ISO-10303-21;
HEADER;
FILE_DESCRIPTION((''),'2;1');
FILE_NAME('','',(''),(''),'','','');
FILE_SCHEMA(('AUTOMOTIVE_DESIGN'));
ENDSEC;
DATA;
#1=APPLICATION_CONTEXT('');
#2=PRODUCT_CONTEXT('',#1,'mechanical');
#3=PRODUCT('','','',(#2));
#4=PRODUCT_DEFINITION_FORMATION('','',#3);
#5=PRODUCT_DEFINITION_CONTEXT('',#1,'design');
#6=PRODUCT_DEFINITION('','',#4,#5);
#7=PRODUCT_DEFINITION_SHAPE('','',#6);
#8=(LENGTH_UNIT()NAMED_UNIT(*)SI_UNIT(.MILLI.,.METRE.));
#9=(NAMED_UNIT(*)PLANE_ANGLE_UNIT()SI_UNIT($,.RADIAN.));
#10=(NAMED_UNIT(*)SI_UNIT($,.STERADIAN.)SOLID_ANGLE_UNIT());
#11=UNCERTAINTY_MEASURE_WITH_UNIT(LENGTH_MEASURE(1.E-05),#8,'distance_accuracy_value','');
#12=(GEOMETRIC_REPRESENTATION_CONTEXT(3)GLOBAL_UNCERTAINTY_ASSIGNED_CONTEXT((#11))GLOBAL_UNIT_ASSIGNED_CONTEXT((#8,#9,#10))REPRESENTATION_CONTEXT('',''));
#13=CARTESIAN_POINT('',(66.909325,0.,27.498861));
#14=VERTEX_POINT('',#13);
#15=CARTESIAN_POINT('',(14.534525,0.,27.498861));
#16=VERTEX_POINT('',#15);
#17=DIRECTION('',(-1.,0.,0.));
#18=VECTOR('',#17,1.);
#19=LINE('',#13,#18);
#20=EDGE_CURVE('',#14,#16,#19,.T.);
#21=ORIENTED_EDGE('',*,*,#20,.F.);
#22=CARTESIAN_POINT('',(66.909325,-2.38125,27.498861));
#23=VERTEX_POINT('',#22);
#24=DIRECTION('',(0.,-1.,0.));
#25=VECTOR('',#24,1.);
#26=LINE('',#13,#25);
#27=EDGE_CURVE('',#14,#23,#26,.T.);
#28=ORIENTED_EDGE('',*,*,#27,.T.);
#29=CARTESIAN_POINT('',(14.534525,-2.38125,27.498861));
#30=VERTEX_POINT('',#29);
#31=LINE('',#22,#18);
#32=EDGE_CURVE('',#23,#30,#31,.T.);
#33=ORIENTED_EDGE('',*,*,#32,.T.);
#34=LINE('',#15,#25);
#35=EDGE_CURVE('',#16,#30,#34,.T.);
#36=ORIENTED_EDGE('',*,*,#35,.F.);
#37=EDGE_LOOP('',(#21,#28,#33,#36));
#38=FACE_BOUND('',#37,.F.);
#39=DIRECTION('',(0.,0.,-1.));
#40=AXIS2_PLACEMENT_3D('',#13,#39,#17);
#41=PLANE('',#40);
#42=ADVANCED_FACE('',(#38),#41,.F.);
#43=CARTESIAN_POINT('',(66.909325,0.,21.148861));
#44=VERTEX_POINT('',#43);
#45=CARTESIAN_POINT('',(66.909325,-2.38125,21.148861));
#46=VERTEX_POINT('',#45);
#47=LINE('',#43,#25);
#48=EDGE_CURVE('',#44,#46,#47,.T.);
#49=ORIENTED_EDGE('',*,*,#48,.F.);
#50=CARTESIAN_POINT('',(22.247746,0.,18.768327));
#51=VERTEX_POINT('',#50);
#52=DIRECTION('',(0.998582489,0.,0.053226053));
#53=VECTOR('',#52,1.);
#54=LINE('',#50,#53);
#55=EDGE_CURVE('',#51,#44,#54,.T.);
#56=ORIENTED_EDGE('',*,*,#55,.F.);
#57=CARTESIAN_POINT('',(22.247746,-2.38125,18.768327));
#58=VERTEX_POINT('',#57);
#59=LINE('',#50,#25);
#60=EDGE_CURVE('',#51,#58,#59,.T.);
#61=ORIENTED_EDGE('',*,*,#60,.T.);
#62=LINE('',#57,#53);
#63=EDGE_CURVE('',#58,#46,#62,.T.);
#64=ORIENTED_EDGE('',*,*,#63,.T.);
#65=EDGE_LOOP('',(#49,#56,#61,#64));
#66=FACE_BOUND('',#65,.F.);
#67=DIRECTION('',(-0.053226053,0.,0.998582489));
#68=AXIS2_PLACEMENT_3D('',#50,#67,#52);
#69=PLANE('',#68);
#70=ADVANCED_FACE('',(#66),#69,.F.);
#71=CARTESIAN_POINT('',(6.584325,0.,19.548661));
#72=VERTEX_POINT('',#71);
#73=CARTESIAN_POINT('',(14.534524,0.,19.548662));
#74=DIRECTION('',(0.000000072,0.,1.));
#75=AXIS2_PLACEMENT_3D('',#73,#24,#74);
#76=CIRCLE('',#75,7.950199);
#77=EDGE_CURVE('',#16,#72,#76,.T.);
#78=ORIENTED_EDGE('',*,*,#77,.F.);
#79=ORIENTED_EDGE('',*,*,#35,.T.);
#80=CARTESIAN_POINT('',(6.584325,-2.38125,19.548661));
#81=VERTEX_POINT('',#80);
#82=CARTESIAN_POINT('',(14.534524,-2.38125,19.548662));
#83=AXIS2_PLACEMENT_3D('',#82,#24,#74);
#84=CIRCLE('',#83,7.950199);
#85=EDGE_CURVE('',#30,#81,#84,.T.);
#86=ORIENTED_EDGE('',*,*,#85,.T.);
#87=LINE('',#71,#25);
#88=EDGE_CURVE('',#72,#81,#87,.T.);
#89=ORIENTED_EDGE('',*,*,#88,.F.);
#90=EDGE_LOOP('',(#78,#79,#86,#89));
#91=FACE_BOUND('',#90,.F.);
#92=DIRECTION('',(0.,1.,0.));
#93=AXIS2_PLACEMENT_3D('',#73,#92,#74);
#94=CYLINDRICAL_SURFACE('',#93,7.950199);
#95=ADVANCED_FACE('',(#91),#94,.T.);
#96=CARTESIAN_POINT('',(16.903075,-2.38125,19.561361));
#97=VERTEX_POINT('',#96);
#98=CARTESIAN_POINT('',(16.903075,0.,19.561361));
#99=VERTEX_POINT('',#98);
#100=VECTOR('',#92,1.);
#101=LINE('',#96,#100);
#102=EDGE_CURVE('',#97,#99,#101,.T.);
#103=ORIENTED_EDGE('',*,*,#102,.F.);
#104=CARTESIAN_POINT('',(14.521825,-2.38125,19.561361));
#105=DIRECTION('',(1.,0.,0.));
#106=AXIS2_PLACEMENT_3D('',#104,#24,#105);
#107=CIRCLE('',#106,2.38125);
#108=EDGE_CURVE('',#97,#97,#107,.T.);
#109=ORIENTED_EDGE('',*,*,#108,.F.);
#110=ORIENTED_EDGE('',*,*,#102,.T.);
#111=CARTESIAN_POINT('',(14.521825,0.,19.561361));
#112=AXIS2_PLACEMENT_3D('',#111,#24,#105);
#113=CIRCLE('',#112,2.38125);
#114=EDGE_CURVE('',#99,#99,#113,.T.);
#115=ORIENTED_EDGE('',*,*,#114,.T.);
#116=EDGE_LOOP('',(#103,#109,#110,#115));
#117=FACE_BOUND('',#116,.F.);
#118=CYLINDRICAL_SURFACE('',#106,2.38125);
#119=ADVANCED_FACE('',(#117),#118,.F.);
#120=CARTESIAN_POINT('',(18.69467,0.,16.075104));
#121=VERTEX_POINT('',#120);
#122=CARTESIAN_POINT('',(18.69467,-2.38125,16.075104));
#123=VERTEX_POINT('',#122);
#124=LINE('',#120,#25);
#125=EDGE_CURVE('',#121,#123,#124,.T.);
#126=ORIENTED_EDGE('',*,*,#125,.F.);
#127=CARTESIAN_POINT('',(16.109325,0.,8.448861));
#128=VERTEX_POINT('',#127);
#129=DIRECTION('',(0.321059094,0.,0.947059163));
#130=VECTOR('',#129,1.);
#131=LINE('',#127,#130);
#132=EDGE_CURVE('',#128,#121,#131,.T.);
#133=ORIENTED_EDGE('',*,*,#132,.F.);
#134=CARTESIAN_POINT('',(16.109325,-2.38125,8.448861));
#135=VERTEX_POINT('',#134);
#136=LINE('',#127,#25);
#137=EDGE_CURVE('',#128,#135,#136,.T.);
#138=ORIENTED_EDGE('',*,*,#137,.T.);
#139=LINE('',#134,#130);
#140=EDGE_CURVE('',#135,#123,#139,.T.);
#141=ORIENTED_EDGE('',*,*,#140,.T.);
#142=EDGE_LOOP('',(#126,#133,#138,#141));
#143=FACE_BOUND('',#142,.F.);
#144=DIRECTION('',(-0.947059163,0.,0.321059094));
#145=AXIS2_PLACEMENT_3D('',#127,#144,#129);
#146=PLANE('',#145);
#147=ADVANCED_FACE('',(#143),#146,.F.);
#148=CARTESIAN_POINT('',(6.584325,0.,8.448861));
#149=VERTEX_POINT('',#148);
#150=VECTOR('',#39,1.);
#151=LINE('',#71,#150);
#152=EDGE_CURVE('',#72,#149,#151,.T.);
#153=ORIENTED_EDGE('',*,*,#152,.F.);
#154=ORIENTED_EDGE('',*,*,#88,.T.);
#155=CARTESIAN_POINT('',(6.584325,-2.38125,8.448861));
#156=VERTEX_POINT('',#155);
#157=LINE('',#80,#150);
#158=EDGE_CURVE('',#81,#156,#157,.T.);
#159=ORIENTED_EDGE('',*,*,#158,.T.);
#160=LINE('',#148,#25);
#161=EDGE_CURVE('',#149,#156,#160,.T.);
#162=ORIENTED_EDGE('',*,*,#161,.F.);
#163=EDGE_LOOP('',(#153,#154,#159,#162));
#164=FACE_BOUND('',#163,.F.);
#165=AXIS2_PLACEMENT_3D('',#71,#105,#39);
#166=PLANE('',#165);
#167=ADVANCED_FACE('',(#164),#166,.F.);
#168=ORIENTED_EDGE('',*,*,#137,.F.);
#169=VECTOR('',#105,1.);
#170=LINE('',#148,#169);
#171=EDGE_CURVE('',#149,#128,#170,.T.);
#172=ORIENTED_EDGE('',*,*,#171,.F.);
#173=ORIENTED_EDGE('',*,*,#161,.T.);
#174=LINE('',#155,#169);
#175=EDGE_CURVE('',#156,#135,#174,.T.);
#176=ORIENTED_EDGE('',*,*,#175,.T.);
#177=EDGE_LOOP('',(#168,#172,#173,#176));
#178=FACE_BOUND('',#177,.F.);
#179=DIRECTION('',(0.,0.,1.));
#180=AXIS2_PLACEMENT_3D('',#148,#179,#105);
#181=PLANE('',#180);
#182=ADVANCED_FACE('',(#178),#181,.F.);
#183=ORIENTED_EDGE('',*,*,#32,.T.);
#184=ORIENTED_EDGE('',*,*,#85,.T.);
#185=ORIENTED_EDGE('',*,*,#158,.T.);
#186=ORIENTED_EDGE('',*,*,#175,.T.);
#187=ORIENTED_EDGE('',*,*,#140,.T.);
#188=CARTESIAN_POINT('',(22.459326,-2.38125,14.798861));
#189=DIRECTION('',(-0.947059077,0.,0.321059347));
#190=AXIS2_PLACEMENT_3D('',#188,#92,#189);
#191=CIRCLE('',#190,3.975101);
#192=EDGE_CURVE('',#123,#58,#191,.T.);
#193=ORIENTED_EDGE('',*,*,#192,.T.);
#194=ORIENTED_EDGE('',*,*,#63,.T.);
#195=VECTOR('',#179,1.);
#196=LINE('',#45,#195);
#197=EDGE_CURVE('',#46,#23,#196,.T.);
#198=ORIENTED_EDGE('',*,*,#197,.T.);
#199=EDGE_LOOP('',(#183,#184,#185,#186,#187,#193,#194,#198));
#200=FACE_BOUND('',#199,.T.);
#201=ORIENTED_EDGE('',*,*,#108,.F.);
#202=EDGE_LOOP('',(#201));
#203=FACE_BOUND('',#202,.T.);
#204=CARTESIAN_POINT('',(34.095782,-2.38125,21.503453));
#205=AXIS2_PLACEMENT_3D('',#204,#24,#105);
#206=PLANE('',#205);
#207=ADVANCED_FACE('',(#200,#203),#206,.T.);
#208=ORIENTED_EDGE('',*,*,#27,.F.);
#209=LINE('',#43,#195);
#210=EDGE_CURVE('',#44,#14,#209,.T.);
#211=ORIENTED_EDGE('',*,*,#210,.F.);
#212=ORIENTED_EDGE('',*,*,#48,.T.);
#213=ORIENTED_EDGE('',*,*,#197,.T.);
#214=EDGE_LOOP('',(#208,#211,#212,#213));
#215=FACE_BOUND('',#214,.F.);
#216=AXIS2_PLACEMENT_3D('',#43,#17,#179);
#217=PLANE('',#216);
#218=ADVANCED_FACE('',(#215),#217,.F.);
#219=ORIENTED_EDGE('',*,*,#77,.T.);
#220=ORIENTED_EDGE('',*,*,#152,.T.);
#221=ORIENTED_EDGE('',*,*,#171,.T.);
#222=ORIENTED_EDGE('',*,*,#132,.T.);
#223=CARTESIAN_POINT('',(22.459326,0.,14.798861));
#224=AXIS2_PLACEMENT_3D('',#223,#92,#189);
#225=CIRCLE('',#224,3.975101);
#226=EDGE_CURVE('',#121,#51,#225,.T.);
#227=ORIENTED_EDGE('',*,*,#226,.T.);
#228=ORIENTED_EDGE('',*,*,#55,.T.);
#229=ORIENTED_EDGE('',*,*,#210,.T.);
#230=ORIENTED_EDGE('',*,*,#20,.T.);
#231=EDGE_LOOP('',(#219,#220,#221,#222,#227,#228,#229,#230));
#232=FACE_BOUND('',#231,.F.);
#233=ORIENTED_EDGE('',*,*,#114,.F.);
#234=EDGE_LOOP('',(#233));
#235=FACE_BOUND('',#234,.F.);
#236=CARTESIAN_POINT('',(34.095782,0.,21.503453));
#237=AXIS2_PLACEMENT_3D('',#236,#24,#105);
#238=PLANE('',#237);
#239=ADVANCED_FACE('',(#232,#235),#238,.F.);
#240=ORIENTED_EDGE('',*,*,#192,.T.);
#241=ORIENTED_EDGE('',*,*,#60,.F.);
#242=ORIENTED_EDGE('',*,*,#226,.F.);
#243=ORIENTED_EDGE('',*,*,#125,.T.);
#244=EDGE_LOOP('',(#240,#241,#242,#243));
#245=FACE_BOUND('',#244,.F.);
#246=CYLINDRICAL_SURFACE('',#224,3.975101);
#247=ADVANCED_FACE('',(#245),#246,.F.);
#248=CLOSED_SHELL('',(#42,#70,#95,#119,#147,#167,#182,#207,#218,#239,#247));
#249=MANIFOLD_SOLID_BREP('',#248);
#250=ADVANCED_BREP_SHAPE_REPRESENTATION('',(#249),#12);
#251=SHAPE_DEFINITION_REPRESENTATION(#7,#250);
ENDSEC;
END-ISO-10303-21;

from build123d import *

# Parameters (mm, degrees)
F1_DEPTH = 2.38125
F2_R     = 2.38125
F3_DEPTH = 2.38225


with BuildPart() as f1:
    # F0 (on Front) → F1 (new body)
    with BuildSketch(Plane.XZ):
        with BuildLine():
            Line((66.909325, 27.498861), (14.534525, 27.498861))
            ThreePointArc((14.534525, 27.498861), (8.912885, 25.170302), (6.584325, 19.548661))
            Line((6.584325, 19.548661), (6.584325, 8.448861))
            Line((6.584325, 8.448861), (16.109325, 8.448861))
            Line((16.109325, 8.448861), (18.69467, 16.075104))
            ThreePointArc((18.69467, 16.075104), (20.058081, 17.966739), (22.247746, 18.768327))
            Line((22.247746, 18.768327), (66.909325, 21.148861))
            Line((66.909325, 21.148861), (66.909325, 27.498861))
        make_face()
    extrude(amount=F1_DEPTH)

    # F2 (on face) → F3 (cut, through all)
    with BuildSketch(Plane.XZ.offset(2.38125)):
        with Locations((14.521825, 19.561361)):
            Circle(F2_R)
    extrude(amount=-F3_DEPTH, mode=Mode.SUBTRACT)


solid = f1.part
